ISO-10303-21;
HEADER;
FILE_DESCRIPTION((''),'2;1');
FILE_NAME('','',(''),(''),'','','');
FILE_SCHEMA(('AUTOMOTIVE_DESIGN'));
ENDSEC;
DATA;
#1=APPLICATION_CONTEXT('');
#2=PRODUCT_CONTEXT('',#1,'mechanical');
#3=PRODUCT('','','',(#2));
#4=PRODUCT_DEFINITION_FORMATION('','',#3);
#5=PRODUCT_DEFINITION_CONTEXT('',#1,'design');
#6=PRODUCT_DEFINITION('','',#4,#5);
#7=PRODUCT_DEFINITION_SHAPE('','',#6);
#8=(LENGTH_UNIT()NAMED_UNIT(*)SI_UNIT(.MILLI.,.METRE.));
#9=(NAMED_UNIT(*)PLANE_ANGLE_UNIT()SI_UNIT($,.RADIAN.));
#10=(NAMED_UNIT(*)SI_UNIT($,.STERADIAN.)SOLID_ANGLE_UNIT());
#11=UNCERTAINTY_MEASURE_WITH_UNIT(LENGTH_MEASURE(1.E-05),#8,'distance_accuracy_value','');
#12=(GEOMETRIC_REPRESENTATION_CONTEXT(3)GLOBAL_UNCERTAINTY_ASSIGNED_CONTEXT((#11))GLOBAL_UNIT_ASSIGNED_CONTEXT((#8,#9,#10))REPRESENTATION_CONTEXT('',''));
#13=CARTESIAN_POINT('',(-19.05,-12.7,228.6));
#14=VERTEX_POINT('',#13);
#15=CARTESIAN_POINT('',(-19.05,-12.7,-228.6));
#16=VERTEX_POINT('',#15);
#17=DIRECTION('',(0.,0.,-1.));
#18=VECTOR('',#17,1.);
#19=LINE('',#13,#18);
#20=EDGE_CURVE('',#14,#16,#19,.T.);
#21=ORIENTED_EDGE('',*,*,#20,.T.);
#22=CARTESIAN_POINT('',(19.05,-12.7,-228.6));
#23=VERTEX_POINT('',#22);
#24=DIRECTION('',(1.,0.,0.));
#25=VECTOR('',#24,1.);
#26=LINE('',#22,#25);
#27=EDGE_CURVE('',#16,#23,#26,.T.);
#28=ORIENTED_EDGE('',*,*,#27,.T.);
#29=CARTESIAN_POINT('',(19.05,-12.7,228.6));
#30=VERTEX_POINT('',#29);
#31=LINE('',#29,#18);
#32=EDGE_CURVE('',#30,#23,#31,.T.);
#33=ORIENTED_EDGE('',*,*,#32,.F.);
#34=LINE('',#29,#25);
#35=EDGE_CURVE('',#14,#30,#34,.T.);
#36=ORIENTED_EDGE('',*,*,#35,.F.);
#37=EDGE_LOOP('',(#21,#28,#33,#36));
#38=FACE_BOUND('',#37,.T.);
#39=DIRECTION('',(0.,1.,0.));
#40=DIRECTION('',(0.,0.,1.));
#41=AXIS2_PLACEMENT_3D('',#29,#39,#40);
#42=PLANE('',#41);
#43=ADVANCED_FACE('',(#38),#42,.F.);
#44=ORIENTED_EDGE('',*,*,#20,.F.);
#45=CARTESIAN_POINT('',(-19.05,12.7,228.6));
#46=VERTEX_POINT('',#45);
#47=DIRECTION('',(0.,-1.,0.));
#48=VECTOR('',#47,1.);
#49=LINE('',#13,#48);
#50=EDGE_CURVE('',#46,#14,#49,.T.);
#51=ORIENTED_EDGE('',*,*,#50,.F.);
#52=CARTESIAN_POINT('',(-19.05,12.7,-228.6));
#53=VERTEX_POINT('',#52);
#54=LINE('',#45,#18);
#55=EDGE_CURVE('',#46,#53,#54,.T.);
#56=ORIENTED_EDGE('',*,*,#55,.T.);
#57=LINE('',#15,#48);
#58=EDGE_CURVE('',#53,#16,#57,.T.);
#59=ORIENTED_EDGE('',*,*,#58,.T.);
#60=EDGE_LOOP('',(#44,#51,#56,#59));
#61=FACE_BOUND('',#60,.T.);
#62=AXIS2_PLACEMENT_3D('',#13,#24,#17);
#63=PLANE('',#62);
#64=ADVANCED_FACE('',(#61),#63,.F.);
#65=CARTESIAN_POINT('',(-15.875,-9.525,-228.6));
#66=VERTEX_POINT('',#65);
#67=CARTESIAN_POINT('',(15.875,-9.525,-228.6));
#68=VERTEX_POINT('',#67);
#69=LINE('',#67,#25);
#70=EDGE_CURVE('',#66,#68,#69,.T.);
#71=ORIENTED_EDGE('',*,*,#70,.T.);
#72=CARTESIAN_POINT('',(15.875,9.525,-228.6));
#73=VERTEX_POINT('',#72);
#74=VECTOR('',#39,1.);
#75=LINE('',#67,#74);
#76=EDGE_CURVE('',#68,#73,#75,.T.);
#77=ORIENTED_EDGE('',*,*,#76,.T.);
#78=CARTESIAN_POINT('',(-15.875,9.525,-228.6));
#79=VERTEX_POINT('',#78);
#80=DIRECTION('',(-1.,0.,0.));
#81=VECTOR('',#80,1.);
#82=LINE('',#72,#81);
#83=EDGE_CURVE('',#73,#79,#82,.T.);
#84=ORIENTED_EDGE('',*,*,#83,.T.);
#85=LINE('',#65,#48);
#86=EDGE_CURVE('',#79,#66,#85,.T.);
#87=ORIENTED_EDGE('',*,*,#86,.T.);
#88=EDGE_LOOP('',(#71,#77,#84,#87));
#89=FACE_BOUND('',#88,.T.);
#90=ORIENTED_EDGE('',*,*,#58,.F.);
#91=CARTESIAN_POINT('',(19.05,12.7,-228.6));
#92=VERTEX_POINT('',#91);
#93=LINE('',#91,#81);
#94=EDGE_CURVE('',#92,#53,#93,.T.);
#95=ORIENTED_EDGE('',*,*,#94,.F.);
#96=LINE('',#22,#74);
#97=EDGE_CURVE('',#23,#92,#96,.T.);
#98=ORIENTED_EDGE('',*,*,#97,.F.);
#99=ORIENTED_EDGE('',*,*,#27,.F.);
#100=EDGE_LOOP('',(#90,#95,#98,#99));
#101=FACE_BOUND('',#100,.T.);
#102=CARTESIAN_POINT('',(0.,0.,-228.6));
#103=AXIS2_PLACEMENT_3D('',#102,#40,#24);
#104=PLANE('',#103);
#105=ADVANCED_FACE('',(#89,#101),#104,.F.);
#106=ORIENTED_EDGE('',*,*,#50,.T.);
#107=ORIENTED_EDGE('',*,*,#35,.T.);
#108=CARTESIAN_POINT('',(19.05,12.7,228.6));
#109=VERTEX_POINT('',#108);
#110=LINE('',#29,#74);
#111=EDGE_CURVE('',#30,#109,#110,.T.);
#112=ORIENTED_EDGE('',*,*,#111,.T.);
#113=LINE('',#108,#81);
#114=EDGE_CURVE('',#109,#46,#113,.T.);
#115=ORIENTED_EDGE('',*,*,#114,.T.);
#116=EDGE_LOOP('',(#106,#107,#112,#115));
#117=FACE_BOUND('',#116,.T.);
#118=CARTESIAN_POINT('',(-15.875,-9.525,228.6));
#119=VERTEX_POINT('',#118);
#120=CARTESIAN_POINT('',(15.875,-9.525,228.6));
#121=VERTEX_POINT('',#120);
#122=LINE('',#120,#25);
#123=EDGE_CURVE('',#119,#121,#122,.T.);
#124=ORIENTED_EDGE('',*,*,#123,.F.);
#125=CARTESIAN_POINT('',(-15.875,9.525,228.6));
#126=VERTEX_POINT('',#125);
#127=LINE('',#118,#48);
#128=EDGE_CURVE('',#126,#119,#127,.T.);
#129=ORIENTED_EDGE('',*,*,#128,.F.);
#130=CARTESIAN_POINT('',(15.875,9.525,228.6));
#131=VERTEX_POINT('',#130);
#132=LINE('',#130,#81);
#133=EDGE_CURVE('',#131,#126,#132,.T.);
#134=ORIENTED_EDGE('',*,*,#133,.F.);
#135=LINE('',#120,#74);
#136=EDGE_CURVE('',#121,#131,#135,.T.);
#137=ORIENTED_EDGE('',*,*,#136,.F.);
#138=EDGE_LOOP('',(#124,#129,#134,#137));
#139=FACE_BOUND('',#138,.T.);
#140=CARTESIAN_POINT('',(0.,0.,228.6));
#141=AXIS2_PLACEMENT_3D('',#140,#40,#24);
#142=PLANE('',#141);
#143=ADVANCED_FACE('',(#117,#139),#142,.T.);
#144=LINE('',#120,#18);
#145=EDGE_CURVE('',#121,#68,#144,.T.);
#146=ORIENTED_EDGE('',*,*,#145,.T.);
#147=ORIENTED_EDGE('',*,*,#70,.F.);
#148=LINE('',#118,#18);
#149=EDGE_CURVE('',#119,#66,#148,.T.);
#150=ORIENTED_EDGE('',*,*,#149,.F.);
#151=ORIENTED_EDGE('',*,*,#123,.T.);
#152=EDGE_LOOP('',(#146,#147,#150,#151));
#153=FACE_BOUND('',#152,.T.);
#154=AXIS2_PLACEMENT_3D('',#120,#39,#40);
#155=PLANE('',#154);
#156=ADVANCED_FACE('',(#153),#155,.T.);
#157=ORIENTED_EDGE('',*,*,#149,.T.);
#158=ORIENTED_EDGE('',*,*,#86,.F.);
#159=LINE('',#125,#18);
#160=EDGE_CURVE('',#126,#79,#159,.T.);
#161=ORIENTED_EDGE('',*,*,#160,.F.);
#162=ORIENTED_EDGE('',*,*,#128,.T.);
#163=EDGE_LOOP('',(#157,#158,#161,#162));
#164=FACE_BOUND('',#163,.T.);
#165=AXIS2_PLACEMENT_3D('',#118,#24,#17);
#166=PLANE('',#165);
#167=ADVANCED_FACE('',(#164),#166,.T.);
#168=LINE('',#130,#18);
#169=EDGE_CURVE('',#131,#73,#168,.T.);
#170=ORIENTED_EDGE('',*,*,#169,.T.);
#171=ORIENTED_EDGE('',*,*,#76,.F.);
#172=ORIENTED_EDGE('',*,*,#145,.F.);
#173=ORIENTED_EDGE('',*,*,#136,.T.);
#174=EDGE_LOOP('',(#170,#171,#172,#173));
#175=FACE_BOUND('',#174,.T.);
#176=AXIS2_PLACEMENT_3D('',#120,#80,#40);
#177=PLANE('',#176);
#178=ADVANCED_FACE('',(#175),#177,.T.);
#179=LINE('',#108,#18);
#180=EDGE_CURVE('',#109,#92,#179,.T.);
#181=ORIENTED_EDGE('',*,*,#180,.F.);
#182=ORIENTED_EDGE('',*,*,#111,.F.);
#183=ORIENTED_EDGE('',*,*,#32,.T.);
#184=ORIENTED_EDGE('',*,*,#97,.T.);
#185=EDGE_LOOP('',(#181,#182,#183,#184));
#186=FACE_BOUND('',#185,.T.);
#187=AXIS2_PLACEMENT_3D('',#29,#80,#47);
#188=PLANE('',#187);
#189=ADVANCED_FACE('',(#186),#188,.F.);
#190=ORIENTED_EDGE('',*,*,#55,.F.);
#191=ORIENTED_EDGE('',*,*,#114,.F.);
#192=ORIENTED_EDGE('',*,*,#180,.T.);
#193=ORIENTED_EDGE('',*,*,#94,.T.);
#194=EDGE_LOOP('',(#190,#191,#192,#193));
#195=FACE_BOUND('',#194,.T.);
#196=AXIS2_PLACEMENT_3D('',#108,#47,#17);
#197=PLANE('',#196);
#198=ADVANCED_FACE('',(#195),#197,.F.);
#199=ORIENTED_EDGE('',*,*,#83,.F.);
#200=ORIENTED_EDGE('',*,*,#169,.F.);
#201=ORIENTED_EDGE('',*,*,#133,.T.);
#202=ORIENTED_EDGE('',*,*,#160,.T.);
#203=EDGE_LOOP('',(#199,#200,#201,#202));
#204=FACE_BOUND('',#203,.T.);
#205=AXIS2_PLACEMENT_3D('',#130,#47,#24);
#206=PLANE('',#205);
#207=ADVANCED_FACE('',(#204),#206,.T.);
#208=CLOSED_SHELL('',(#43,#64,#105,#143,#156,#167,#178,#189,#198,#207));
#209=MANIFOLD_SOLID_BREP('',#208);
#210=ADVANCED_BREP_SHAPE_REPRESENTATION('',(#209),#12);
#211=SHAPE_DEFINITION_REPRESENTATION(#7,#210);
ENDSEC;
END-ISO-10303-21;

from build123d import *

# Parameters (mm, degrees)
BOSS_EXTRUDE1_DEPTH      = 228.6
BOSS_EXTRUDE1_DEPTH_BACK = 228.6
SKETCH3_W                = 38.1
SKETCH3_H                = 25.4
SKETCH3_W_2              = 31.75
SKETCH3_H_2              = 19.05


with BuildPart() as part:
    # Sketch3 → Boss-Extrude1 (new, two sides: drawn at the far end of the back side and taken through both)
    with BuildSketch(Plane.XY.offset(-BOSS_EXTRUDE1_DEPTH_BACK)):
        Rectangle(SKETCH3_W, SKETCH3_H)
        Rectangle(SKETCH3_W_2, SKETCH3_H_2, mode=Mode.SUBTRACT)
    extrude(amount=BOSS_EXTRUDE1_DEPTH + BOSS_EXTRUDE1_DEPTH_BACK)


solid = part.part
